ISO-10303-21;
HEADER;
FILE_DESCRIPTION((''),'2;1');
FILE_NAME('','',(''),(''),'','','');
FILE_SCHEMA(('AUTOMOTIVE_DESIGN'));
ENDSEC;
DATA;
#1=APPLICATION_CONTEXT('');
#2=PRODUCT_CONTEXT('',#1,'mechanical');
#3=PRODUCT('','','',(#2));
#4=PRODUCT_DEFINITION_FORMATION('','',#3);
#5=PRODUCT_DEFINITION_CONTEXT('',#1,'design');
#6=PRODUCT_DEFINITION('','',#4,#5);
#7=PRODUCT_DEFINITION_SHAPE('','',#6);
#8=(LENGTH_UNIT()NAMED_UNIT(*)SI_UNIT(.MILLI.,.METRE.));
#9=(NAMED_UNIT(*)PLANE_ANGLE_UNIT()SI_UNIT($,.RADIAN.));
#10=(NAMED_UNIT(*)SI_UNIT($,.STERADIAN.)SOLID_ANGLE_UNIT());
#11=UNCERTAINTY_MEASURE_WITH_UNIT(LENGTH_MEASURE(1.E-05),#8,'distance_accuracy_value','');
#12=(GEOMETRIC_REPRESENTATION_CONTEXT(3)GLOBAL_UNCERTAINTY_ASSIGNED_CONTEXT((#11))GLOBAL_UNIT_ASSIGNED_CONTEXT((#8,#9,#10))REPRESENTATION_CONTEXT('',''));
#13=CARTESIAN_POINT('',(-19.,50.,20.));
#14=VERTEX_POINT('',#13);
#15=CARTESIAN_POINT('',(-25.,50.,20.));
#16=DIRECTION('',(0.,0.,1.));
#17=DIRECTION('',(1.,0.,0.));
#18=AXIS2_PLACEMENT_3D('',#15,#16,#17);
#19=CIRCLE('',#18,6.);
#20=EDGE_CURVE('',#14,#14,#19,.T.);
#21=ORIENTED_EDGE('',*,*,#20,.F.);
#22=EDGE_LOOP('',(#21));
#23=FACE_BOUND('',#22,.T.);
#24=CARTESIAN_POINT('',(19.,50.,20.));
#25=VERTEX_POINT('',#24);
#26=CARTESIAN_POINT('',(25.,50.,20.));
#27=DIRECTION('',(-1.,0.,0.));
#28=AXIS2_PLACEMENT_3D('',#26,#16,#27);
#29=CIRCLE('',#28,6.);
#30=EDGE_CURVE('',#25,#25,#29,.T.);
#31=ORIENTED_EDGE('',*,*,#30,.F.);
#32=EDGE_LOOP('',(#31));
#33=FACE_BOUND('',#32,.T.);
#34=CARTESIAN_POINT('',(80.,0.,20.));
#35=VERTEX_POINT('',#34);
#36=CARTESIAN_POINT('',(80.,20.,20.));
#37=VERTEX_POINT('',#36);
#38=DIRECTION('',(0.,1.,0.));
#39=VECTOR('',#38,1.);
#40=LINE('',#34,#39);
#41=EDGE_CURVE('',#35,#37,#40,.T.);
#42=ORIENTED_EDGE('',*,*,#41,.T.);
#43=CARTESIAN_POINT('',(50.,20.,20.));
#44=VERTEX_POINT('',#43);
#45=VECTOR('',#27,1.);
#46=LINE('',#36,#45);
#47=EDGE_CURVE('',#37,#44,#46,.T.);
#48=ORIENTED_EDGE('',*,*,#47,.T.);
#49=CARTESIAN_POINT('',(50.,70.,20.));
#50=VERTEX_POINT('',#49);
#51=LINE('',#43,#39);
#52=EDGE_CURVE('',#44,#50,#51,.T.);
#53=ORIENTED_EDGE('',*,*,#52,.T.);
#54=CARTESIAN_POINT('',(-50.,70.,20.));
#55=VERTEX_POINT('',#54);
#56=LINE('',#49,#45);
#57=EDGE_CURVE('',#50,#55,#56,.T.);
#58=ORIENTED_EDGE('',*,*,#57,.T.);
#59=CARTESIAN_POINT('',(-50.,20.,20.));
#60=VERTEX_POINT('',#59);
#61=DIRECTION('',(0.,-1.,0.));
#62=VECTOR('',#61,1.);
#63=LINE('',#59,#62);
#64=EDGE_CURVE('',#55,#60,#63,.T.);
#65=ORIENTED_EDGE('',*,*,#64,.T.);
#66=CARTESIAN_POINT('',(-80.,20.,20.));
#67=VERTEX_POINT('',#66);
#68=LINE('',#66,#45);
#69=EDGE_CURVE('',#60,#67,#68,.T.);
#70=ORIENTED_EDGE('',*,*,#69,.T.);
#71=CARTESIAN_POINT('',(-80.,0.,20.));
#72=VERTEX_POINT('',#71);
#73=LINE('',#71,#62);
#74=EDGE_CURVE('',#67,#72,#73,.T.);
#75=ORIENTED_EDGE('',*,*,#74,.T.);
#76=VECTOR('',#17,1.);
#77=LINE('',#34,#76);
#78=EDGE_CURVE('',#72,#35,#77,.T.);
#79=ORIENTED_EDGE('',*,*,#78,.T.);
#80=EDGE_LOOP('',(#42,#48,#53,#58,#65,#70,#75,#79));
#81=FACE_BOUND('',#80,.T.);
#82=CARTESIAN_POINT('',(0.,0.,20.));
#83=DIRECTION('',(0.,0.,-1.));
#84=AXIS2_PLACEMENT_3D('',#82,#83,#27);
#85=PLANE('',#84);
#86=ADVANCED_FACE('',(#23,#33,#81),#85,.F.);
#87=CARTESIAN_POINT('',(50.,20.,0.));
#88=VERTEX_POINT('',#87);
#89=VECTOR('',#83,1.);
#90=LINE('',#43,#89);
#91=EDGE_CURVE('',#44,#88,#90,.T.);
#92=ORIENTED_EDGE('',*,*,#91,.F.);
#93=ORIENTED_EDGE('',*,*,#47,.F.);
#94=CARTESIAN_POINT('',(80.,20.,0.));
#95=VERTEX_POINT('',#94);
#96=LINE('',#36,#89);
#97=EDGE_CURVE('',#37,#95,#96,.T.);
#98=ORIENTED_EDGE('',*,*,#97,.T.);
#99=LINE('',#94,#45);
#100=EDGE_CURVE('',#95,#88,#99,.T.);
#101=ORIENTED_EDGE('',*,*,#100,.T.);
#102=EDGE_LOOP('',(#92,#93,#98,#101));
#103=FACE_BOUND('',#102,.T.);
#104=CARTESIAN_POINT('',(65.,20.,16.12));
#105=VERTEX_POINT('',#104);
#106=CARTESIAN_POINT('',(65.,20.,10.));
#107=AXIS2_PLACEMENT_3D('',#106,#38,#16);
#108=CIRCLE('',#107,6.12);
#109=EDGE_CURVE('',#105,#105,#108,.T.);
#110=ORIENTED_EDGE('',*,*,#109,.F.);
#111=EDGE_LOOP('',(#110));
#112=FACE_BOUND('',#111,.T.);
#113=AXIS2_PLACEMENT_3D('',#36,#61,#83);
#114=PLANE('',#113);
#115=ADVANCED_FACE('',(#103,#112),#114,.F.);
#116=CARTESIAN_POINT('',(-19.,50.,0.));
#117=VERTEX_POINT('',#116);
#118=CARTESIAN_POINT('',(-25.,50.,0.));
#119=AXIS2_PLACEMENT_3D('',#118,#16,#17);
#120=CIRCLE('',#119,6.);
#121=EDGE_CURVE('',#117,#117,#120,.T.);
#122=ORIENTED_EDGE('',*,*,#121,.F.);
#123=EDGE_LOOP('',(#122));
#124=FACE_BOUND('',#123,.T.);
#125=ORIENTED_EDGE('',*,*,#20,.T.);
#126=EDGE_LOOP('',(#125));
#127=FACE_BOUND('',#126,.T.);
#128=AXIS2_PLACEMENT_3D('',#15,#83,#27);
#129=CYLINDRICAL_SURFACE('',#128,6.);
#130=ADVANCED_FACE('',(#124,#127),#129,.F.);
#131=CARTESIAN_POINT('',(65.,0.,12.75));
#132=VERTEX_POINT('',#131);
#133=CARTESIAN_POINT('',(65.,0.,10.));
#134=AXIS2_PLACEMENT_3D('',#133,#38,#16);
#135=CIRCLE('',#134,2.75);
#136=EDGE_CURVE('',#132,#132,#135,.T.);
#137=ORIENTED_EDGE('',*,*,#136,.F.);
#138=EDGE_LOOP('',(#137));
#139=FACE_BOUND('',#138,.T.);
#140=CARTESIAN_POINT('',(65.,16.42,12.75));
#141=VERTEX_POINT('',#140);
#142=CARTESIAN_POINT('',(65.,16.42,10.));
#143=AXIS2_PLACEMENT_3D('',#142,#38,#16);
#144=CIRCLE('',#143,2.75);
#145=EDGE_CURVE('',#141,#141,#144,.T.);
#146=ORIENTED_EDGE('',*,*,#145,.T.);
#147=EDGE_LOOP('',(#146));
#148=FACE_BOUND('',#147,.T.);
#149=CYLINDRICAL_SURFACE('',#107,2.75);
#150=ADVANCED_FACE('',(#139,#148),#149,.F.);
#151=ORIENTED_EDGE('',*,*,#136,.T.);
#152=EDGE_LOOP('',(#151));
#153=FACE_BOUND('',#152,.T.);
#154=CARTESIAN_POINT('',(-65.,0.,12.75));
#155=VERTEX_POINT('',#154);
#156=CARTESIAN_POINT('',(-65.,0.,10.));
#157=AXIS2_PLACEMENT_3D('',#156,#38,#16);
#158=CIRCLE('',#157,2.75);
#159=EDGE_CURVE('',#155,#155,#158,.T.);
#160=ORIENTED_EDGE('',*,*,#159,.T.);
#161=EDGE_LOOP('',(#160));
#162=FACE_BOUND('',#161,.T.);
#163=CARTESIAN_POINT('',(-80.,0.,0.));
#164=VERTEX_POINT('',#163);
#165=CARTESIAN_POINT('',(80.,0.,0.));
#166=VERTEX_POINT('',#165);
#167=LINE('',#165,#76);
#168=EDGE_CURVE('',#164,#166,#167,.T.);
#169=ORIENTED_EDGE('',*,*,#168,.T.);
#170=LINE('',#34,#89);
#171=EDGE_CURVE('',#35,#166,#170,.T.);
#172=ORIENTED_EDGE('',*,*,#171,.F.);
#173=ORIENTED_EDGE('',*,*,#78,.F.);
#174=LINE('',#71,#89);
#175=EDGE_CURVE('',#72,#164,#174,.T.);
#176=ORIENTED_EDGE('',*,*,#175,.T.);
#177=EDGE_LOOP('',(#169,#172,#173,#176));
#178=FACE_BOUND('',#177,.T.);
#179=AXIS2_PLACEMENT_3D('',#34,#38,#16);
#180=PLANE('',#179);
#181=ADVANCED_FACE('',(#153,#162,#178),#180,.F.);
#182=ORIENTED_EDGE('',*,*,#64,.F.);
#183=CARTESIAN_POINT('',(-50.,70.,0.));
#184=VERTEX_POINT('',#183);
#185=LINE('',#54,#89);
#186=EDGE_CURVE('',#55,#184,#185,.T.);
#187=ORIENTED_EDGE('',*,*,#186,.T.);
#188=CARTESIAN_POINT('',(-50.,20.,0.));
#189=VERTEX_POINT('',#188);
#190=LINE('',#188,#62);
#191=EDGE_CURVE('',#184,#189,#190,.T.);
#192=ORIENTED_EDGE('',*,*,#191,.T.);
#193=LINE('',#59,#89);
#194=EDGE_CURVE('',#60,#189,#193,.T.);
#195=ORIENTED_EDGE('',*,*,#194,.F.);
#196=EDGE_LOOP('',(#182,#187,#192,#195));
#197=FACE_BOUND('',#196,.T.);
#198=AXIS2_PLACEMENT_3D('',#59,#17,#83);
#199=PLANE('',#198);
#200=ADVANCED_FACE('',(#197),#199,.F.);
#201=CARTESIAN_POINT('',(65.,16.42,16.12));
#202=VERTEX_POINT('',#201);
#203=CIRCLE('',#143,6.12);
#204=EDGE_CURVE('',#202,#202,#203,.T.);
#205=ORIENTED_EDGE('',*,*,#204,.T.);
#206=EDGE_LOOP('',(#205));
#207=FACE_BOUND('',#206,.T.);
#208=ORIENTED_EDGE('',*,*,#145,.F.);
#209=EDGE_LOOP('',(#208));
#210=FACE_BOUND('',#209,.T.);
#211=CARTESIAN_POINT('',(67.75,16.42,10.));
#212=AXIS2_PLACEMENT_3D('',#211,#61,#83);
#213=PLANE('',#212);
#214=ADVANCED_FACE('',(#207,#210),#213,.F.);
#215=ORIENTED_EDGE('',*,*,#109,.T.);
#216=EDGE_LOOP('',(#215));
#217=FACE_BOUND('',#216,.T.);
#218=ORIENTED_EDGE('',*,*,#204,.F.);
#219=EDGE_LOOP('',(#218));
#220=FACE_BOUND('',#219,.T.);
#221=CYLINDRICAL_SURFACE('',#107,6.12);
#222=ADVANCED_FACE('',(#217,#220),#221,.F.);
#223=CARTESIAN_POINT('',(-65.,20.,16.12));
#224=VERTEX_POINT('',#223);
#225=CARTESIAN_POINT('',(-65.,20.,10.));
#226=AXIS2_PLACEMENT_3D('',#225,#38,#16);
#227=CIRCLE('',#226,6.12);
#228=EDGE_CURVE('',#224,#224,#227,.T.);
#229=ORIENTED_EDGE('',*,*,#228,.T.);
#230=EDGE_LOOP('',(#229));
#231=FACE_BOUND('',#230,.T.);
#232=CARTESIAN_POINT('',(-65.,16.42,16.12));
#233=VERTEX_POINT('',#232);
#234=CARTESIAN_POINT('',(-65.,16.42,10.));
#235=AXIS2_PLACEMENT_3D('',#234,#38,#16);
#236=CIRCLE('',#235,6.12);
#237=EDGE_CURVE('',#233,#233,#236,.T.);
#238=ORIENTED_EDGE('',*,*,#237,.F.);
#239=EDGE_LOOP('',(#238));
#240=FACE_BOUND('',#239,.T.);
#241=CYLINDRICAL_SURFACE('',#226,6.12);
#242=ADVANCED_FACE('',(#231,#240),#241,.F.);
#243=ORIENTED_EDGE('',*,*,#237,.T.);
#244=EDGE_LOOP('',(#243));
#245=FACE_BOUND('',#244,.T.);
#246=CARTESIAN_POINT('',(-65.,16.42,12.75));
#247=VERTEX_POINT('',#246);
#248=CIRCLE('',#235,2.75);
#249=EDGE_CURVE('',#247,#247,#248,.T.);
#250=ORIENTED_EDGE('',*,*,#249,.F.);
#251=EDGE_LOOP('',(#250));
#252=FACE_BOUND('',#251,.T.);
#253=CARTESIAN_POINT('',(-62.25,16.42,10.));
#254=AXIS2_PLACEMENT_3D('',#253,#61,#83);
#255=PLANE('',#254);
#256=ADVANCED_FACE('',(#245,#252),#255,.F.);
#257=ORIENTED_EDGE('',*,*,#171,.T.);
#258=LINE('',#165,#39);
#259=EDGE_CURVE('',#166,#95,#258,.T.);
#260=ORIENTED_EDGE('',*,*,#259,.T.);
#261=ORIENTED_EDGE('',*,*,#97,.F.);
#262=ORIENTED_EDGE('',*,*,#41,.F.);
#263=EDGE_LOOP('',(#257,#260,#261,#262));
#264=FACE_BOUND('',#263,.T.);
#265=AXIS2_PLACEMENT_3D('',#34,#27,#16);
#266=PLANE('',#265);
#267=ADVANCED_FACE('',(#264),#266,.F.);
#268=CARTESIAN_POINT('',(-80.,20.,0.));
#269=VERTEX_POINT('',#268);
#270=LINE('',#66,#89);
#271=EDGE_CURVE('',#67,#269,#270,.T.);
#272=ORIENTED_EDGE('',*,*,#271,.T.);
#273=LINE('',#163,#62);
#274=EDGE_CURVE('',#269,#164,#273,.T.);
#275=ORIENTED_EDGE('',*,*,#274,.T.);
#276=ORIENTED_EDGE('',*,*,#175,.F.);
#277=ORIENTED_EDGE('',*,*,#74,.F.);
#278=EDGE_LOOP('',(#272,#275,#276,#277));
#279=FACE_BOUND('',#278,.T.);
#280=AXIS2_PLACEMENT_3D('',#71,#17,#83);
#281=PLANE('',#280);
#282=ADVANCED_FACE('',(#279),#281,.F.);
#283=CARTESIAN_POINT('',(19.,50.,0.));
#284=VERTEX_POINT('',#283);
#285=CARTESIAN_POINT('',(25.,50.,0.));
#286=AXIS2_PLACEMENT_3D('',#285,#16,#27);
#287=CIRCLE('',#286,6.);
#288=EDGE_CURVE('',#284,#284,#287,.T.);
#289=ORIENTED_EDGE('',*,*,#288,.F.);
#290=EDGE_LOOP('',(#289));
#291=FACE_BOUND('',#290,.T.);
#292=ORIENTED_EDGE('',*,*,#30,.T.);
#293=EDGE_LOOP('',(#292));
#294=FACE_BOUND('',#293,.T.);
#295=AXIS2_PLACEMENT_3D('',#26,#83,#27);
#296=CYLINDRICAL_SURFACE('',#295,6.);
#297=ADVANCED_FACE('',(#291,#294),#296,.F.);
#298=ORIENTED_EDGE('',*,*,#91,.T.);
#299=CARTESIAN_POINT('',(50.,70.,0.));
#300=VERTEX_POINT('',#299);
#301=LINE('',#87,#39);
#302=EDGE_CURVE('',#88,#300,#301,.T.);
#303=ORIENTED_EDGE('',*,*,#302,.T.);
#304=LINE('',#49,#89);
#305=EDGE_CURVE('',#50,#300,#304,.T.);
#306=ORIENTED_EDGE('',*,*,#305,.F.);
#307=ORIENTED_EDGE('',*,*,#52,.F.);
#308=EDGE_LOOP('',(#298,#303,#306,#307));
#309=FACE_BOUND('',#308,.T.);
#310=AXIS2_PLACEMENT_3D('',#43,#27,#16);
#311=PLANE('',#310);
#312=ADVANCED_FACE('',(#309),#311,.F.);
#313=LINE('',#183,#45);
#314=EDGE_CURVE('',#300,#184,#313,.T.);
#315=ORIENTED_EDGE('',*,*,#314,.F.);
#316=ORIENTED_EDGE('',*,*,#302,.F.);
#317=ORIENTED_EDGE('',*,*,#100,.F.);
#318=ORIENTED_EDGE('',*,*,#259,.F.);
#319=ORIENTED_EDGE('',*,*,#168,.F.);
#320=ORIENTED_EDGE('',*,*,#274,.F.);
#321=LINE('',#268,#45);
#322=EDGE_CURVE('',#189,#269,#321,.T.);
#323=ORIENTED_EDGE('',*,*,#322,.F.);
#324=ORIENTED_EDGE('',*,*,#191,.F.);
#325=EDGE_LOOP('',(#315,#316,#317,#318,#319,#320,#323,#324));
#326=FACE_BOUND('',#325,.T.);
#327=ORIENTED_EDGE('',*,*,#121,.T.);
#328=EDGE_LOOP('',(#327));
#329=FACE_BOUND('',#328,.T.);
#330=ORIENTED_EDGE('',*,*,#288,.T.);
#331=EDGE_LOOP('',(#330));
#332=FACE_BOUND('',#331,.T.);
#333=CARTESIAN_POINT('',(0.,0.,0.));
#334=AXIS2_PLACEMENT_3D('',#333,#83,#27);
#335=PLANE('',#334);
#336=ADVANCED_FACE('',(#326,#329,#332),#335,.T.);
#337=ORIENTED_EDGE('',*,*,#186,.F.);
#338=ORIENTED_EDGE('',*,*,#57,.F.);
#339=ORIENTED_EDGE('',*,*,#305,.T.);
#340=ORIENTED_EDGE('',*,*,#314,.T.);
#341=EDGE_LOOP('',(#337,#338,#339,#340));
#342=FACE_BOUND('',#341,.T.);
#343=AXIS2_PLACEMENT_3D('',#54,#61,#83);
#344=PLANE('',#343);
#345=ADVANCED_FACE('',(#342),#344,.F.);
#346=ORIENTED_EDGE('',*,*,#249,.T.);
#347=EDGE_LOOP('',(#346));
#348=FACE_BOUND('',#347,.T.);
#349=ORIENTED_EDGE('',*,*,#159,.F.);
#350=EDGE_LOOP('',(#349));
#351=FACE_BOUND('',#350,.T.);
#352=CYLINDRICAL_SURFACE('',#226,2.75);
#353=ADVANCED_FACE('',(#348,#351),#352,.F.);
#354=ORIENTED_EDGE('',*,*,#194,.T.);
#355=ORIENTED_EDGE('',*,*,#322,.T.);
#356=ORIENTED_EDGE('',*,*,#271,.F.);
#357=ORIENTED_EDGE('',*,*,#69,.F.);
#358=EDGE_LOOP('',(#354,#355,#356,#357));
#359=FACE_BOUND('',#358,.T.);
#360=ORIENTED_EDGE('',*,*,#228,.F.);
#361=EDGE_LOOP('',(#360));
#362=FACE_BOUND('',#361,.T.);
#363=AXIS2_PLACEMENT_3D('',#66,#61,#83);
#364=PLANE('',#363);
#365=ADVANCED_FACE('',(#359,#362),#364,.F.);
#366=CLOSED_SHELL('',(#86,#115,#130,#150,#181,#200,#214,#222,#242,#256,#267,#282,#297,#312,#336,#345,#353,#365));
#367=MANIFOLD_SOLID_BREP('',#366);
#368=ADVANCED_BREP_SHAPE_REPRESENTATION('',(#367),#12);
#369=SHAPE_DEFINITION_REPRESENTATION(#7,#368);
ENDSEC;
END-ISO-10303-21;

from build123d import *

# Parameters (mm, degrees)
SKETCH2_R              = 6
CORPO_FUROS_12MM_DEPTH = 20
FUROS_6MM_D            = 5.5
FUROS_6MM_CBORE_D      = 12.24
FUROS_6MM_CBORE_DEPTH  = 3.58


with BuildPart() as part:
    # Sketch2 → Corpo - Furos 12mm (new body)
    with BuildSketch(Plane.XY):
        Polygon((80, 0), (-80, 0), (-80, 20), (-50, 20), (-50, 70), (0, 70), (50, 70), (50, 20), (80, 20), align=None)
        with Locations((-25, 50)):
            Circle(SKETCH2_R, mode=Mode.SUBTRACT)
        with Locations(Location((25, 50, 0), (0, 0, 180))):
            Circle(SKETCH2_R, mode=Mode.SUBTRACT)
    extrude(amount=CORPO_FUROS_12MM_DEPTH)

    # Furos Ø6mm (through all)
    with Locations(Plane(origin=(0, 20, 0), x_dir=(1, 0, 0), z_dir=(0, 1, 0))):
        with Locations((-65, -10), (65, -10)):
            CounterBoreHole(FUROS_6MM_D / 2, FUROS_6MM_CBORE_D / 2, FUROS_6MM_CBORE_DEPTH)


solid = part.part
